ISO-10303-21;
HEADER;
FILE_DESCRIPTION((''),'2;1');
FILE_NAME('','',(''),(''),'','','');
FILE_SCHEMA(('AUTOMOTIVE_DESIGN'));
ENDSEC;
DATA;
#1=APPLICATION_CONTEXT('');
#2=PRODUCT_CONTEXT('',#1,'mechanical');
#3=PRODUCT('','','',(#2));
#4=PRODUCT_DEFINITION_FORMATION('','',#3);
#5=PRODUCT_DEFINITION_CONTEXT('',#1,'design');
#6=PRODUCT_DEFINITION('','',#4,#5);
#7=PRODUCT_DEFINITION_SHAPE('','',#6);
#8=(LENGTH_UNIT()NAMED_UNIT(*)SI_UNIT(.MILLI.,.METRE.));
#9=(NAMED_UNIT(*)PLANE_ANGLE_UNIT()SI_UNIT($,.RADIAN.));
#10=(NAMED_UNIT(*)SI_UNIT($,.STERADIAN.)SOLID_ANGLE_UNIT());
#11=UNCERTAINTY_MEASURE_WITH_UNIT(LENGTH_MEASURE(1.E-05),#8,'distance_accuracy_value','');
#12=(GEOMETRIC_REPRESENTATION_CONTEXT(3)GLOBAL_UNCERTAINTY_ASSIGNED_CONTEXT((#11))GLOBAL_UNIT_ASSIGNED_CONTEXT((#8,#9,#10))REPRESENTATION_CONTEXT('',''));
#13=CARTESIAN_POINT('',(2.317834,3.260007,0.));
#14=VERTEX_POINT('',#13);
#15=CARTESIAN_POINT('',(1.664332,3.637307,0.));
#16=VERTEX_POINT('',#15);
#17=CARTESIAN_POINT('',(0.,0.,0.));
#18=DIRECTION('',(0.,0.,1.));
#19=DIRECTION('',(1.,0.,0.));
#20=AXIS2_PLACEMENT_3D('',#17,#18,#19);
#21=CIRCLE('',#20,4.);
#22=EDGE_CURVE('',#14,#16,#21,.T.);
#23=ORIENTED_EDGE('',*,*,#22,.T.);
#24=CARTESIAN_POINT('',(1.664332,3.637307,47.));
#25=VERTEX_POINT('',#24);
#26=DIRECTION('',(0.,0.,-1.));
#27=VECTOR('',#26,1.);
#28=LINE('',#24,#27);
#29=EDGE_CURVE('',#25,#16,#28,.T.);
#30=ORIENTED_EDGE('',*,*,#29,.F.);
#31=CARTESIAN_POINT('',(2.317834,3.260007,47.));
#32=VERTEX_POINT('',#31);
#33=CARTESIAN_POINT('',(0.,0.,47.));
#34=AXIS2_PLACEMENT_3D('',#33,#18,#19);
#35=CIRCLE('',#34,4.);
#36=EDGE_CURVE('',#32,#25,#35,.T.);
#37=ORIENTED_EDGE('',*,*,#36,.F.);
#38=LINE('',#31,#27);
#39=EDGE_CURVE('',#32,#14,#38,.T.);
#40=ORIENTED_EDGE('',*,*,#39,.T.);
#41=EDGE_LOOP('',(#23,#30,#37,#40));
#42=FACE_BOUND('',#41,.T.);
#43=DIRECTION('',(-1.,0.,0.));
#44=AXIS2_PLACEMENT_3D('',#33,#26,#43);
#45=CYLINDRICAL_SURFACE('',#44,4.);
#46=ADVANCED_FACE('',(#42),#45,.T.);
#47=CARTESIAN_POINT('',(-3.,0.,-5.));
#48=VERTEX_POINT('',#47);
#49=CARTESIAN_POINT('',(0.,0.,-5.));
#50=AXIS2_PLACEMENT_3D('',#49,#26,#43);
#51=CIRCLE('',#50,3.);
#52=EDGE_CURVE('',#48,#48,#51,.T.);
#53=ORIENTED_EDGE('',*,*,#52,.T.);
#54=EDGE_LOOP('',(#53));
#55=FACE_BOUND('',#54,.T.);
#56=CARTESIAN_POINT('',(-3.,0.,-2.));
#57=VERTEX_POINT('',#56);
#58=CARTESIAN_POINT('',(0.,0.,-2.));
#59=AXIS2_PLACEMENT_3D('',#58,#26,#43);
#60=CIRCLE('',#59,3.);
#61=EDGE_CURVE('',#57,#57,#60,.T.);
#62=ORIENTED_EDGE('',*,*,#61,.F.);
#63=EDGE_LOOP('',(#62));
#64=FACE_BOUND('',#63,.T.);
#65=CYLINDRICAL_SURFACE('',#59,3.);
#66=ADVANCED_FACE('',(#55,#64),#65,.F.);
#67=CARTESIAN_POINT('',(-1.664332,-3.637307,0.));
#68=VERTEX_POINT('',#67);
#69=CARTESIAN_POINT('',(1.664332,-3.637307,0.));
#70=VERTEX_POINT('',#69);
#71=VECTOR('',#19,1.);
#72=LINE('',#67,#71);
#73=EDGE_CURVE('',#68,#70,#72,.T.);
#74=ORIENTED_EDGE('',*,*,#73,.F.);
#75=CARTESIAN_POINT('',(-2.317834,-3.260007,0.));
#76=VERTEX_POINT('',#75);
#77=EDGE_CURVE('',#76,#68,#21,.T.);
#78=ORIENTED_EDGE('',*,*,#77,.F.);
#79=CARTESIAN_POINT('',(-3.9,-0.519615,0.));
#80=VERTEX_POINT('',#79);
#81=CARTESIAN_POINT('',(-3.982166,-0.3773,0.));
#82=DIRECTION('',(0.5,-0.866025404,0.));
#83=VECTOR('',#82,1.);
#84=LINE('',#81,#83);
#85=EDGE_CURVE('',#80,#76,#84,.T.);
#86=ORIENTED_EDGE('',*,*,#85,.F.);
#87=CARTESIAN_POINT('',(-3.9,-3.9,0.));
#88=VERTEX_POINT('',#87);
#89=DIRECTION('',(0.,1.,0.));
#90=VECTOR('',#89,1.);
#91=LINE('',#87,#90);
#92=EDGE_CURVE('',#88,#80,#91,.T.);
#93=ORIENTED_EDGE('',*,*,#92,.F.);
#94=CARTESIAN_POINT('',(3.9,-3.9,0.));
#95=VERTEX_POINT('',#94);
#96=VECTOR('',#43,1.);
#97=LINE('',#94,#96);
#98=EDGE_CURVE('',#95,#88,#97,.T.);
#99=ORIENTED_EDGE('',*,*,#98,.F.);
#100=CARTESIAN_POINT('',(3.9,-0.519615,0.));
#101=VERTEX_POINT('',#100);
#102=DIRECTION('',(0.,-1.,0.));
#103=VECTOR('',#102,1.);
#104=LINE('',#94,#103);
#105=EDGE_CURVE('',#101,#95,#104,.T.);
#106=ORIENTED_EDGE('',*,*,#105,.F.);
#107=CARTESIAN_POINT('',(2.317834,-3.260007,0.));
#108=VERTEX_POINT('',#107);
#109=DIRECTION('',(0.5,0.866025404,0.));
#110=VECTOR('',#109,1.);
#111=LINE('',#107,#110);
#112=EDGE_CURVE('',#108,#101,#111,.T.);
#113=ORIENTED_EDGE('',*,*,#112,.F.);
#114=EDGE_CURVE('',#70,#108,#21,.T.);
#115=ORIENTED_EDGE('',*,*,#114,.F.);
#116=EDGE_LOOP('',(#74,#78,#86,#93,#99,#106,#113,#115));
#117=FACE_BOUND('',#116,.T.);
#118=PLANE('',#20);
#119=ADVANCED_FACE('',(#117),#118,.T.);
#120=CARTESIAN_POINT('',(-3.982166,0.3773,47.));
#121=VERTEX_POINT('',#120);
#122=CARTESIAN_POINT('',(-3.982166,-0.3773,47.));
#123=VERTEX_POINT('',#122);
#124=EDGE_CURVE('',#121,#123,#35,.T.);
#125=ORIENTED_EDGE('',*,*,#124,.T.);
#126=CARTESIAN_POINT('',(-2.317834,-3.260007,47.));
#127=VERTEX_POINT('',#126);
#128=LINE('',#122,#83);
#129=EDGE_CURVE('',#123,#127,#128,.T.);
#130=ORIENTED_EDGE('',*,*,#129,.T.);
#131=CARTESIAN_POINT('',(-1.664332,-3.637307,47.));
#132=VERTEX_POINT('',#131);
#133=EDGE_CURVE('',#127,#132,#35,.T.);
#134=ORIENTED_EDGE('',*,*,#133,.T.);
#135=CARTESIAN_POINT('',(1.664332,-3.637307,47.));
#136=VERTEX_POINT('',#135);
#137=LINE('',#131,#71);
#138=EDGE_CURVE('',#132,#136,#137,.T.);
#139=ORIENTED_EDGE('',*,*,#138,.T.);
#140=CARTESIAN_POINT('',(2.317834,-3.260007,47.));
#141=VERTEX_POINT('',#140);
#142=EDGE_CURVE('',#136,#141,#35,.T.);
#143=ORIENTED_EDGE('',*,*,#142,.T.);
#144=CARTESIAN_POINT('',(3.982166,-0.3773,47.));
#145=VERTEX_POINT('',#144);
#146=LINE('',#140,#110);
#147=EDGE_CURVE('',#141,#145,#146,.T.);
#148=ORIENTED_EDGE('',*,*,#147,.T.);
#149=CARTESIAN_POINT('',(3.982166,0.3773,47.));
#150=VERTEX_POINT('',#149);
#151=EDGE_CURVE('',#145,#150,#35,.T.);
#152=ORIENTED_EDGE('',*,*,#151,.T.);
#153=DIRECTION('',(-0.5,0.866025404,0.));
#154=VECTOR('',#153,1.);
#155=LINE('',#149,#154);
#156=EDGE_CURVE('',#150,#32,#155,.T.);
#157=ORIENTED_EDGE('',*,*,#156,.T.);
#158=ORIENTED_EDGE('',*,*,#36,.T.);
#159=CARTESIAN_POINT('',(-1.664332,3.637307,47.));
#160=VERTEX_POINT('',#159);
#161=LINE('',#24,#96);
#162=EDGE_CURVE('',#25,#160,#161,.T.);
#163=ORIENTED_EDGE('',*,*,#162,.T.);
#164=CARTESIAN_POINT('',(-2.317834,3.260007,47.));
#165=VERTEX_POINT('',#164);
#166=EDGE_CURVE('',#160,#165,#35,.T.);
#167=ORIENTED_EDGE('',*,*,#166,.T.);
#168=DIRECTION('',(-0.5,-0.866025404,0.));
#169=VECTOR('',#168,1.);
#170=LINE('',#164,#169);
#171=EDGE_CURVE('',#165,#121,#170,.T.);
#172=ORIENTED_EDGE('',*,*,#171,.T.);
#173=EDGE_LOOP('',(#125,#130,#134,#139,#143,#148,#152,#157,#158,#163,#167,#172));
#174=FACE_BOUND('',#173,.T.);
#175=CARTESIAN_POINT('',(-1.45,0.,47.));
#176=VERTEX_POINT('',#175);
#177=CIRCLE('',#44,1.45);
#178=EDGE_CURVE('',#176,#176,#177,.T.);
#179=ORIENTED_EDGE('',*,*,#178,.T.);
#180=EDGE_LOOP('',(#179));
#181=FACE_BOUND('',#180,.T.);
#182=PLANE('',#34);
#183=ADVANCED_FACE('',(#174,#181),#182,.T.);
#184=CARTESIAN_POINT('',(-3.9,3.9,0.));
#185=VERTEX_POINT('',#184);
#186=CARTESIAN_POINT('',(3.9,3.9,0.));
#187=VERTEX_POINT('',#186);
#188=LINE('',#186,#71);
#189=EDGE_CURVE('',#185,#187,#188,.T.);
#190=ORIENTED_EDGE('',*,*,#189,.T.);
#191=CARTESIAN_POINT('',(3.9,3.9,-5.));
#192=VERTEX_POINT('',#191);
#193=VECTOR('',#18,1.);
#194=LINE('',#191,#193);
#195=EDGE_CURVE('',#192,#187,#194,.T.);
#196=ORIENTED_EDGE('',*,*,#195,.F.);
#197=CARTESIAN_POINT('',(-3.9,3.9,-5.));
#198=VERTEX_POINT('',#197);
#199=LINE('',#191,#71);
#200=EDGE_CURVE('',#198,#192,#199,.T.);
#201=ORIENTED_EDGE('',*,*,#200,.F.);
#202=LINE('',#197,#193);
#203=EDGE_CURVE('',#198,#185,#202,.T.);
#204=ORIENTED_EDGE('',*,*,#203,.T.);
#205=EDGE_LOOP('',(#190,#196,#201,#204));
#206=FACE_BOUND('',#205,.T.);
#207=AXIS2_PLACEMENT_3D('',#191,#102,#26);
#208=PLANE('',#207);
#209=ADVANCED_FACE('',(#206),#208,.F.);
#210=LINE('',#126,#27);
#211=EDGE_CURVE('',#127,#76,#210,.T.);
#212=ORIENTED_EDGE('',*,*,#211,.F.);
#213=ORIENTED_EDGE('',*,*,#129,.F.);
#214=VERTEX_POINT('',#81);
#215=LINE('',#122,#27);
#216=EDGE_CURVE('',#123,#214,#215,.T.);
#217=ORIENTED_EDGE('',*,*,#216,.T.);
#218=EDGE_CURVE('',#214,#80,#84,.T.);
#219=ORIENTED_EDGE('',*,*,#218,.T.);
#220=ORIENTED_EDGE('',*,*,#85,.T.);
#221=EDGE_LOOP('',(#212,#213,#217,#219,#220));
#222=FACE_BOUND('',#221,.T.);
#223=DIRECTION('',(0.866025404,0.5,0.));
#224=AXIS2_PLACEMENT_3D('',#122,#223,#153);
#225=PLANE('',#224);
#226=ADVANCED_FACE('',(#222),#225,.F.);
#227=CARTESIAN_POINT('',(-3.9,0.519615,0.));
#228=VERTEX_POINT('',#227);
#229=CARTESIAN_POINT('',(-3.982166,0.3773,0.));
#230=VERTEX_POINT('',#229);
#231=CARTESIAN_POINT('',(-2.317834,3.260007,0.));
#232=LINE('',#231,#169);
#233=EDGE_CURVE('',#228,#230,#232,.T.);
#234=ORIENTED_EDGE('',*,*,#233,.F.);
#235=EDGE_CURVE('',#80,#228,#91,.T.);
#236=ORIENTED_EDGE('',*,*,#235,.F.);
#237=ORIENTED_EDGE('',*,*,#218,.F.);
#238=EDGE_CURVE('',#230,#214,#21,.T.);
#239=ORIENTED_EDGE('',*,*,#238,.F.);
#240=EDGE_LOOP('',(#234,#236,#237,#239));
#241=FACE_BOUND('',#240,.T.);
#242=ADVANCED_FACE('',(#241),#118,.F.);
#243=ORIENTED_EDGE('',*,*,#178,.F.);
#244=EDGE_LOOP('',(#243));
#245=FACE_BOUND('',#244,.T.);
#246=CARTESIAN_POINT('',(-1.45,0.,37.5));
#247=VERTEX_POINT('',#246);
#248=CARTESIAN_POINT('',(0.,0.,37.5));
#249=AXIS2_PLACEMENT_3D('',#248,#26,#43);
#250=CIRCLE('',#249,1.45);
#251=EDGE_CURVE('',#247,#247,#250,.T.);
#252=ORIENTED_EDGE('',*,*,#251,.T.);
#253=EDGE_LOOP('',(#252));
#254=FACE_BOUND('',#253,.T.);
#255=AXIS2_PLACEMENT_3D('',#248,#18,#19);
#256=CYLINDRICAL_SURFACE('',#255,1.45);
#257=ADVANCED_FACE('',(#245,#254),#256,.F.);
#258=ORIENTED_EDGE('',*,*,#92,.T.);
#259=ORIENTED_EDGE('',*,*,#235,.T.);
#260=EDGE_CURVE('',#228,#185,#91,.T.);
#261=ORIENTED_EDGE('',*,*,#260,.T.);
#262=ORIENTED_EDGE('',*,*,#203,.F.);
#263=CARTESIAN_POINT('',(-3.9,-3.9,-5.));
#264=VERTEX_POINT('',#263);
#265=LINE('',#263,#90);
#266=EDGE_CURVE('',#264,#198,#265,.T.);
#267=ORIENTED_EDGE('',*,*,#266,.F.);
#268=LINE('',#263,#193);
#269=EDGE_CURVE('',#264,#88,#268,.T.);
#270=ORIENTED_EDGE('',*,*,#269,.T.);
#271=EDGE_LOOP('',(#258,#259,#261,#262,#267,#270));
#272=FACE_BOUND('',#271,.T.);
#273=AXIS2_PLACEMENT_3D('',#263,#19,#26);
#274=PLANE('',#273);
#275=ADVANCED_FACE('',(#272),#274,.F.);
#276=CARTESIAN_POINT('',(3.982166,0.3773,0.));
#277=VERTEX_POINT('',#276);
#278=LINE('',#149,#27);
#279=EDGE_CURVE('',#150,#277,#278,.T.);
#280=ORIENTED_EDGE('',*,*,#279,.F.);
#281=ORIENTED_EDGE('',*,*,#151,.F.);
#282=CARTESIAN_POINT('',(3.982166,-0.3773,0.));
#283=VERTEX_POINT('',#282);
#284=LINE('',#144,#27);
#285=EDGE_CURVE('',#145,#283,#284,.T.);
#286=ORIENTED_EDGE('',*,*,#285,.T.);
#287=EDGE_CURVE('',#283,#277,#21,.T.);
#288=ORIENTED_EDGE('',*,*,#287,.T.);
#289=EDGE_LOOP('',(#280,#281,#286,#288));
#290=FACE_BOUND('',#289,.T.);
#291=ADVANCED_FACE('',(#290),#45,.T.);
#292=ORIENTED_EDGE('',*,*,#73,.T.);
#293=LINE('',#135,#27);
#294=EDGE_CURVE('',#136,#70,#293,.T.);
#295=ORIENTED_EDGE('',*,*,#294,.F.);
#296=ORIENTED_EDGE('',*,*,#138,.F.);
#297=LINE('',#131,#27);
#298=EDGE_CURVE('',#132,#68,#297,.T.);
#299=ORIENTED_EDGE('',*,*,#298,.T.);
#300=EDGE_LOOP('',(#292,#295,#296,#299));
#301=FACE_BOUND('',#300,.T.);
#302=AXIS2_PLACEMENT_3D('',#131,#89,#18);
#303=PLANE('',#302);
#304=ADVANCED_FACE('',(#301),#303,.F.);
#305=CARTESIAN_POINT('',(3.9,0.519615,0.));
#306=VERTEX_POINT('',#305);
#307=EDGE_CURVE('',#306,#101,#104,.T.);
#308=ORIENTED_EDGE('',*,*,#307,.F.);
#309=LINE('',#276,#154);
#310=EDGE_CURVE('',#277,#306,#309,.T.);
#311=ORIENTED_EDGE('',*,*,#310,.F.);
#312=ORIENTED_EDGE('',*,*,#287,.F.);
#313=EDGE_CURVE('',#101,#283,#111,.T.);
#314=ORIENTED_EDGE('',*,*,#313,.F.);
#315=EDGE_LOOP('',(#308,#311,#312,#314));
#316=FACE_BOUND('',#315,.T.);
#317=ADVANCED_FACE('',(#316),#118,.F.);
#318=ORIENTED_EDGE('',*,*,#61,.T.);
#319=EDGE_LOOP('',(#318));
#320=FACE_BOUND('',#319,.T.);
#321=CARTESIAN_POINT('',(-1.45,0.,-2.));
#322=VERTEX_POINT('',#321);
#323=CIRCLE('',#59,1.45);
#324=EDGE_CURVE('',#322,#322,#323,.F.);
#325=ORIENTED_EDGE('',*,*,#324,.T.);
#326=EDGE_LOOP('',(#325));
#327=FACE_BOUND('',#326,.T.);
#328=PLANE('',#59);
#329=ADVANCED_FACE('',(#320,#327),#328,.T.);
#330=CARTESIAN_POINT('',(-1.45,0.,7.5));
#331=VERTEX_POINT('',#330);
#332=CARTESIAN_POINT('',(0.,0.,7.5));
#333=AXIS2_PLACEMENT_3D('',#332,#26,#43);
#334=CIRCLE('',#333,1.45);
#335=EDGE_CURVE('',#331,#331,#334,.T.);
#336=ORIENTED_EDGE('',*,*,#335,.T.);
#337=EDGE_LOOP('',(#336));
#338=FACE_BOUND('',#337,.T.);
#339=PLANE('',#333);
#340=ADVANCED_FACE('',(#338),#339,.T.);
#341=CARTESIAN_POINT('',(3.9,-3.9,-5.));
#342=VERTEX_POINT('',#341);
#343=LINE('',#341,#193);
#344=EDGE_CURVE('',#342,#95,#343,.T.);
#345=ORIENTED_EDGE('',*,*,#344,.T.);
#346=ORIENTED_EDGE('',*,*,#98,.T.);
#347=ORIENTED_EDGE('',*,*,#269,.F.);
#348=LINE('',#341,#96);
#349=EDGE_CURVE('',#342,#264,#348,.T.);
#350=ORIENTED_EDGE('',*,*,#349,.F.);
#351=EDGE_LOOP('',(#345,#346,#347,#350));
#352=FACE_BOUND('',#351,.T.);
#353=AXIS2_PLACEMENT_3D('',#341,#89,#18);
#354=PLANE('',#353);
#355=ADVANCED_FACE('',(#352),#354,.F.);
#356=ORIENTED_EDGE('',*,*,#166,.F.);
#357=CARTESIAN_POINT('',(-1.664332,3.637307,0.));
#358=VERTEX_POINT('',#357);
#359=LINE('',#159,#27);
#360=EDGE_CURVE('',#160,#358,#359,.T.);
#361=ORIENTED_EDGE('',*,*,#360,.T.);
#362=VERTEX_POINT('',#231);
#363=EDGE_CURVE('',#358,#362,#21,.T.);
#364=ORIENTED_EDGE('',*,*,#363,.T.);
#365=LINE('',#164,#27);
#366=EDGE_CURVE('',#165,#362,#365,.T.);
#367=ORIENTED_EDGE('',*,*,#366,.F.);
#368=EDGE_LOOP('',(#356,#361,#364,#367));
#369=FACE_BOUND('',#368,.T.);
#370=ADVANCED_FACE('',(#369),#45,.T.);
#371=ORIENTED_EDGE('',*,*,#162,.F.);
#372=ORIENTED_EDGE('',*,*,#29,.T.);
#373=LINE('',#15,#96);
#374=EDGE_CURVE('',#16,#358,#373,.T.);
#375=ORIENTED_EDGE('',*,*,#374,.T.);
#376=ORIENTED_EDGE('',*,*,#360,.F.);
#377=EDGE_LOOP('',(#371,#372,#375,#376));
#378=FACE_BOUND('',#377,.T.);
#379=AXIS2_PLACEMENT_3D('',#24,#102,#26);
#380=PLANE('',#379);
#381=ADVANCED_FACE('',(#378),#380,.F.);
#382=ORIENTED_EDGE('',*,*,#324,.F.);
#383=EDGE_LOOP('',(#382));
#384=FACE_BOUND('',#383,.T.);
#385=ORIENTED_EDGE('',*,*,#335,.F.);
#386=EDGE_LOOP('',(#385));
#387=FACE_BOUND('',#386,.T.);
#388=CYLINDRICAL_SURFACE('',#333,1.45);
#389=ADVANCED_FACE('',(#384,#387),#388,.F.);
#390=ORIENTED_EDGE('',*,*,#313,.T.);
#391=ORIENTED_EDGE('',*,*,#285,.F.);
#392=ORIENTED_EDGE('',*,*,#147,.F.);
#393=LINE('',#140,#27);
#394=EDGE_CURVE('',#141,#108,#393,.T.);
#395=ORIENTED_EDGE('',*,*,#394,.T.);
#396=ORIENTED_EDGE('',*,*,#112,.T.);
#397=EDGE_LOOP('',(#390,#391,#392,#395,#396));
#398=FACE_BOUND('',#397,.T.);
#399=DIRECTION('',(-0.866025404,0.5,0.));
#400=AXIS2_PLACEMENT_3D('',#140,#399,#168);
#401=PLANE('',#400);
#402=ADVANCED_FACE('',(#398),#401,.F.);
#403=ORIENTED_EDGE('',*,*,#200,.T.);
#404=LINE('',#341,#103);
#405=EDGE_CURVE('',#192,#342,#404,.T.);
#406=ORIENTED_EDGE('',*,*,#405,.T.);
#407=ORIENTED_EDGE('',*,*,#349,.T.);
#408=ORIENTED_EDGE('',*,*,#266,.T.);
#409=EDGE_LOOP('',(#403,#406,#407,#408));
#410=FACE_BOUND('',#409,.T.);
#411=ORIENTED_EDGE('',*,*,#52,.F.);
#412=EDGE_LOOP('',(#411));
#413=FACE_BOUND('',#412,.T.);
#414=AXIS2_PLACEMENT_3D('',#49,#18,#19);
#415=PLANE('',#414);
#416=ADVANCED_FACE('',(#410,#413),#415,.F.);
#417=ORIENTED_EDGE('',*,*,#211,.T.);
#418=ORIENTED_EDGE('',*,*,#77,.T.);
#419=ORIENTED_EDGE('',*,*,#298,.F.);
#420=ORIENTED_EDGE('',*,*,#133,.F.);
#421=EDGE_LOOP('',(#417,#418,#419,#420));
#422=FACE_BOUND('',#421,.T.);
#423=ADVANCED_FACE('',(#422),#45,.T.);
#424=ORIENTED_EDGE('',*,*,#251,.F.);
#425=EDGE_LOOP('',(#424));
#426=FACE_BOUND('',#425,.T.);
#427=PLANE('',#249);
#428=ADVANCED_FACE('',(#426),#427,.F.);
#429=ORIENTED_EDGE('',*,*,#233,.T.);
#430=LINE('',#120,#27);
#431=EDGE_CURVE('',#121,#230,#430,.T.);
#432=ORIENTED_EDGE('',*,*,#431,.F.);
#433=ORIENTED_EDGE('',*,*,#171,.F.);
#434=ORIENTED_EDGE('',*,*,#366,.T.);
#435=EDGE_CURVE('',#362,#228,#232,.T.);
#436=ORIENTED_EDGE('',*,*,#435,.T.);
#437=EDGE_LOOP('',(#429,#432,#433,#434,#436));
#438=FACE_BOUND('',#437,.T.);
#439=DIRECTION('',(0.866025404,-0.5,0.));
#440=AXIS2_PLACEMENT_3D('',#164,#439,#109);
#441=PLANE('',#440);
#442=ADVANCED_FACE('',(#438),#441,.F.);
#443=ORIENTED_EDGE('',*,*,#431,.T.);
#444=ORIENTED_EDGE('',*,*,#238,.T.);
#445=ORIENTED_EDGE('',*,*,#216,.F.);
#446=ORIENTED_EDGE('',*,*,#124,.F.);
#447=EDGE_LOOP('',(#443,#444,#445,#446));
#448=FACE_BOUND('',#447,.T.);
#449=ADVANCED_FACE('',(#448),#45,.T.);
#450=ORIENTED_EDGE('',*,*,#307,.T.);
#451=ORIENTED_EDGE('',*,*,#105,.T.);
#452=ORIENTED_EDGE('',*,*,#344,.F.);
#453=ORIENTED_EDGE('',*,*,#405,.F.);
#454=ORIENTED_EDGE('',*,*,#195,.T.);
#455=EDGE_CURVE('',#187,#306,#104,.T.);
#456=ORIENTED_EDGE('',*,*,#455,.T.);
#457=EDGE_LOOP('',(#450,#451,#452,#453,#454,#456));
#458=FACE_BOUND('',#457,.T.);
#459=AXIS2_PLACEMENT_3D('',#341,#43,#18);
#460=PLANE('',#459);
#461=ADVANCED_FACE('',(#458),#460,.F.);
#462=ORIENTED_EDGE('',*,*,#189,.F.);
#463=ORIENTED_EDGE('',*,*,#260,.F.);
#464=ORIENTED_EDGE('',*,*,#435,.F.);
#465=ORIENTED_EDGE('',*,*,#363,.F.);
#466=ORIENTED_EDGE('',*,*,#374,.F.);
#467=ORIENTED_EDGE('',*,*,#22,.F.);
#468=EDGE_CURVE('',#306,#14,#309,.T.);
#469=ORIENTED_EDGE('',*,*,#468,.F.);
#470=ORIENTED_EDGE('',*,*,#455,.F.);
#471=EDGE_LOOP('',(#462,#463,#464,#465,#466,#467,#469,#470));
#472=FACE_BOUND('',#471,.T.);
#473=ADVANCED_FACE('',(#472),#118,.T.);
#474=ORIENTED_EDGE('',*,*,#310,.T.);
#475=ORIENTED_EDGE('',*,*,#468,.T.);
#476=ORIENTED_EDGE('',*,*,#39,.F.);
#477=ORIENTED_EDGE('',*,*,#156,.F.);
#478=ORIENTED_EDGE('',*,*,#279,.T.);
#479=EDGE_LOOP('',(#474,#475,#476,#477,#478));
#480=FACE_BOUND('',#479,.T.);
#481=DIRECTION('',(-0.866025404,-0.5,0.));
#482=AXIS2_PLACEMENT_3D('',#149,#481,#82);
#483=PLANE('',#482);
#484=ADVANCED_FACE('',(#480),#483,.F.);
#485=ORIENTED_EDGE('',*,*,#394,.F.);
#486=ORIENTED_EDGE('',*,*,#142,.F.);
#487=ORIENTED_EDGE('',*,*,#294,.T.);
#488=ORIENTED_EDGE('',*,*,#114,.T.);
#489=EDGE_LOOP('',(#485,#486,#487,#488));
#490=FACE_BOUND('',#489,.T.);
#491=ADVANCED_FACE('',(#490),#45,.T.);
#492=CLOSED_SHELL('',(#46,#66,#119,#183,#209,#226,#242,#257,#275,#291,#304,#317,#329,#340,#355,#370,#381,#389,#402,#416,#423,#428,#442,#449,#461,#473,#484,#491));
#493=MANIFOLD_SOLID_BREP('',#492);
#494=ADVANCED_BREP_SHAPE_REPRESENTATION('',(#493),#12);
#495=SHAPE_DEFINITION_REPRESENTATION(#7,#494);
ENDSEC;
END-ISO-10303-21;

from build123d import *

# Parameters (mm, degrees)
EXTRUDE_1_DEPTH     = 47
SKETCH_2_W          = 7.8
SKETCH_2_H          = 7.8
EXTRUDE_2_DEPTH     = 5
SKETCH_3_R          = 1.45
CUT_EXTRUDE_1_DEPTH = 12.5
SKETCH_4_R          = 3
CUT_EXTRUDE_2_DEPTH = 3
CUT_EXTRUDE_START   = -42.5
SKETCH_3_2_R        = 1.45
CUT_EXTRUDE_3_DEPTH = 9.5


with BuildPart() as part:
    # Эскиз1 → Бобышка-Вытянуть1 (new body)
    with BuildSketch(Plane.XY):
        with BuildLine():
            Line((1.664331698, 3.637306696), (-1.664331698, 3.637306696))
            ThreePointArc((-1.664331698, 3.637306696), (-2, 3.464101615), (-2.317834151, 3.260006878))
            Line((-2.317834151, 3.260006878), (-3.982165849, 0.377299817))
            ThreePointArc((-3.982165849, 0.377299817), (-4, 0), (-3.982165849, -0.377299817))
            Line((-3.982165849, -0.377299817), (-2.317834151, -3.260006878))
            ThreePointArc((-2.317834151, -3.260006878), (-2, -3.464101615), (-1.664331698, -3.637306696))
            Line((-1.664331698, -3.637306696), (1.664331698, -3.637306696))
            ThreePointArc((1.664331698, -3.637306696), (2, -3.464101615), (2.317834151, -3.260006878))
            Line((2.317834151, -3.260006878), (3.982165849, -0.377299817))
            ThreePointArc((3.982165849, -0.377299817), (4, 0), (3.982165849, 0.377299817))
            Line((3.982165849, 0.377299817), (2.317834151, 3.260006878))
            ThreePointArc((2.317834151, 3.260006878), (2, 3.464101615), (1.664331698, 3.637306696))
        make_face()
    extrude(amount=EXTRUDE_1_DEPTH)

    # Эскиз2 → Бобышка-Вытянуть2 (add)
    with BuildSketch(Plane(origin=(0, 0, 0), x_dir=(-1, 0, 0), z_dir=(0, 0, -1))):
        Rectangle(SKETCH_2_W, SKETCH_2_H)
    extrude(amount=EXTRUDE_2_DEPTH)

    # Эскиз3 → Вырез-Вытянуть1 (cut)
    with BuildSketch(Plane(origin=(0, 0, -5), x_dir=(-1, 0, 0), z_dir=(0, 0, -1))):
        Circle(SKETCH_3_R)
    extrude(amount=-CUT_EXTRUDE_1_DEPTH, mode=Mode.SUBTRACT)

    # Эскиз4 → Вырез-Вытянуть2 (cut)
    with BuildSketch(Plane(origin=(0, 0, -5), x_dir=(-1, 0, 0), z_dir=(0, 0, -1))):
        Circle(SKETCH_4_R)
    extrude(amount=-CUT_EXTRUDE_2_DEPTH, mode=Mode.SUBTRACT)

    # Эскиз3<2> → Вырез-Вытянуть3 (cut)
    with BuildSketch(Plane(origin=(0, 0, -5), x_dir=(-1, 0, 0), z_dir=(0, 0, -1)).offset(CUT_EXTRUDE_START)):
        Circle(SKETCH_3_2_R)
    extrude(amount=-CUT_EXTRUDE_3_DEPTH, mode=Mode.SUBTRACT)


solid = part.part
